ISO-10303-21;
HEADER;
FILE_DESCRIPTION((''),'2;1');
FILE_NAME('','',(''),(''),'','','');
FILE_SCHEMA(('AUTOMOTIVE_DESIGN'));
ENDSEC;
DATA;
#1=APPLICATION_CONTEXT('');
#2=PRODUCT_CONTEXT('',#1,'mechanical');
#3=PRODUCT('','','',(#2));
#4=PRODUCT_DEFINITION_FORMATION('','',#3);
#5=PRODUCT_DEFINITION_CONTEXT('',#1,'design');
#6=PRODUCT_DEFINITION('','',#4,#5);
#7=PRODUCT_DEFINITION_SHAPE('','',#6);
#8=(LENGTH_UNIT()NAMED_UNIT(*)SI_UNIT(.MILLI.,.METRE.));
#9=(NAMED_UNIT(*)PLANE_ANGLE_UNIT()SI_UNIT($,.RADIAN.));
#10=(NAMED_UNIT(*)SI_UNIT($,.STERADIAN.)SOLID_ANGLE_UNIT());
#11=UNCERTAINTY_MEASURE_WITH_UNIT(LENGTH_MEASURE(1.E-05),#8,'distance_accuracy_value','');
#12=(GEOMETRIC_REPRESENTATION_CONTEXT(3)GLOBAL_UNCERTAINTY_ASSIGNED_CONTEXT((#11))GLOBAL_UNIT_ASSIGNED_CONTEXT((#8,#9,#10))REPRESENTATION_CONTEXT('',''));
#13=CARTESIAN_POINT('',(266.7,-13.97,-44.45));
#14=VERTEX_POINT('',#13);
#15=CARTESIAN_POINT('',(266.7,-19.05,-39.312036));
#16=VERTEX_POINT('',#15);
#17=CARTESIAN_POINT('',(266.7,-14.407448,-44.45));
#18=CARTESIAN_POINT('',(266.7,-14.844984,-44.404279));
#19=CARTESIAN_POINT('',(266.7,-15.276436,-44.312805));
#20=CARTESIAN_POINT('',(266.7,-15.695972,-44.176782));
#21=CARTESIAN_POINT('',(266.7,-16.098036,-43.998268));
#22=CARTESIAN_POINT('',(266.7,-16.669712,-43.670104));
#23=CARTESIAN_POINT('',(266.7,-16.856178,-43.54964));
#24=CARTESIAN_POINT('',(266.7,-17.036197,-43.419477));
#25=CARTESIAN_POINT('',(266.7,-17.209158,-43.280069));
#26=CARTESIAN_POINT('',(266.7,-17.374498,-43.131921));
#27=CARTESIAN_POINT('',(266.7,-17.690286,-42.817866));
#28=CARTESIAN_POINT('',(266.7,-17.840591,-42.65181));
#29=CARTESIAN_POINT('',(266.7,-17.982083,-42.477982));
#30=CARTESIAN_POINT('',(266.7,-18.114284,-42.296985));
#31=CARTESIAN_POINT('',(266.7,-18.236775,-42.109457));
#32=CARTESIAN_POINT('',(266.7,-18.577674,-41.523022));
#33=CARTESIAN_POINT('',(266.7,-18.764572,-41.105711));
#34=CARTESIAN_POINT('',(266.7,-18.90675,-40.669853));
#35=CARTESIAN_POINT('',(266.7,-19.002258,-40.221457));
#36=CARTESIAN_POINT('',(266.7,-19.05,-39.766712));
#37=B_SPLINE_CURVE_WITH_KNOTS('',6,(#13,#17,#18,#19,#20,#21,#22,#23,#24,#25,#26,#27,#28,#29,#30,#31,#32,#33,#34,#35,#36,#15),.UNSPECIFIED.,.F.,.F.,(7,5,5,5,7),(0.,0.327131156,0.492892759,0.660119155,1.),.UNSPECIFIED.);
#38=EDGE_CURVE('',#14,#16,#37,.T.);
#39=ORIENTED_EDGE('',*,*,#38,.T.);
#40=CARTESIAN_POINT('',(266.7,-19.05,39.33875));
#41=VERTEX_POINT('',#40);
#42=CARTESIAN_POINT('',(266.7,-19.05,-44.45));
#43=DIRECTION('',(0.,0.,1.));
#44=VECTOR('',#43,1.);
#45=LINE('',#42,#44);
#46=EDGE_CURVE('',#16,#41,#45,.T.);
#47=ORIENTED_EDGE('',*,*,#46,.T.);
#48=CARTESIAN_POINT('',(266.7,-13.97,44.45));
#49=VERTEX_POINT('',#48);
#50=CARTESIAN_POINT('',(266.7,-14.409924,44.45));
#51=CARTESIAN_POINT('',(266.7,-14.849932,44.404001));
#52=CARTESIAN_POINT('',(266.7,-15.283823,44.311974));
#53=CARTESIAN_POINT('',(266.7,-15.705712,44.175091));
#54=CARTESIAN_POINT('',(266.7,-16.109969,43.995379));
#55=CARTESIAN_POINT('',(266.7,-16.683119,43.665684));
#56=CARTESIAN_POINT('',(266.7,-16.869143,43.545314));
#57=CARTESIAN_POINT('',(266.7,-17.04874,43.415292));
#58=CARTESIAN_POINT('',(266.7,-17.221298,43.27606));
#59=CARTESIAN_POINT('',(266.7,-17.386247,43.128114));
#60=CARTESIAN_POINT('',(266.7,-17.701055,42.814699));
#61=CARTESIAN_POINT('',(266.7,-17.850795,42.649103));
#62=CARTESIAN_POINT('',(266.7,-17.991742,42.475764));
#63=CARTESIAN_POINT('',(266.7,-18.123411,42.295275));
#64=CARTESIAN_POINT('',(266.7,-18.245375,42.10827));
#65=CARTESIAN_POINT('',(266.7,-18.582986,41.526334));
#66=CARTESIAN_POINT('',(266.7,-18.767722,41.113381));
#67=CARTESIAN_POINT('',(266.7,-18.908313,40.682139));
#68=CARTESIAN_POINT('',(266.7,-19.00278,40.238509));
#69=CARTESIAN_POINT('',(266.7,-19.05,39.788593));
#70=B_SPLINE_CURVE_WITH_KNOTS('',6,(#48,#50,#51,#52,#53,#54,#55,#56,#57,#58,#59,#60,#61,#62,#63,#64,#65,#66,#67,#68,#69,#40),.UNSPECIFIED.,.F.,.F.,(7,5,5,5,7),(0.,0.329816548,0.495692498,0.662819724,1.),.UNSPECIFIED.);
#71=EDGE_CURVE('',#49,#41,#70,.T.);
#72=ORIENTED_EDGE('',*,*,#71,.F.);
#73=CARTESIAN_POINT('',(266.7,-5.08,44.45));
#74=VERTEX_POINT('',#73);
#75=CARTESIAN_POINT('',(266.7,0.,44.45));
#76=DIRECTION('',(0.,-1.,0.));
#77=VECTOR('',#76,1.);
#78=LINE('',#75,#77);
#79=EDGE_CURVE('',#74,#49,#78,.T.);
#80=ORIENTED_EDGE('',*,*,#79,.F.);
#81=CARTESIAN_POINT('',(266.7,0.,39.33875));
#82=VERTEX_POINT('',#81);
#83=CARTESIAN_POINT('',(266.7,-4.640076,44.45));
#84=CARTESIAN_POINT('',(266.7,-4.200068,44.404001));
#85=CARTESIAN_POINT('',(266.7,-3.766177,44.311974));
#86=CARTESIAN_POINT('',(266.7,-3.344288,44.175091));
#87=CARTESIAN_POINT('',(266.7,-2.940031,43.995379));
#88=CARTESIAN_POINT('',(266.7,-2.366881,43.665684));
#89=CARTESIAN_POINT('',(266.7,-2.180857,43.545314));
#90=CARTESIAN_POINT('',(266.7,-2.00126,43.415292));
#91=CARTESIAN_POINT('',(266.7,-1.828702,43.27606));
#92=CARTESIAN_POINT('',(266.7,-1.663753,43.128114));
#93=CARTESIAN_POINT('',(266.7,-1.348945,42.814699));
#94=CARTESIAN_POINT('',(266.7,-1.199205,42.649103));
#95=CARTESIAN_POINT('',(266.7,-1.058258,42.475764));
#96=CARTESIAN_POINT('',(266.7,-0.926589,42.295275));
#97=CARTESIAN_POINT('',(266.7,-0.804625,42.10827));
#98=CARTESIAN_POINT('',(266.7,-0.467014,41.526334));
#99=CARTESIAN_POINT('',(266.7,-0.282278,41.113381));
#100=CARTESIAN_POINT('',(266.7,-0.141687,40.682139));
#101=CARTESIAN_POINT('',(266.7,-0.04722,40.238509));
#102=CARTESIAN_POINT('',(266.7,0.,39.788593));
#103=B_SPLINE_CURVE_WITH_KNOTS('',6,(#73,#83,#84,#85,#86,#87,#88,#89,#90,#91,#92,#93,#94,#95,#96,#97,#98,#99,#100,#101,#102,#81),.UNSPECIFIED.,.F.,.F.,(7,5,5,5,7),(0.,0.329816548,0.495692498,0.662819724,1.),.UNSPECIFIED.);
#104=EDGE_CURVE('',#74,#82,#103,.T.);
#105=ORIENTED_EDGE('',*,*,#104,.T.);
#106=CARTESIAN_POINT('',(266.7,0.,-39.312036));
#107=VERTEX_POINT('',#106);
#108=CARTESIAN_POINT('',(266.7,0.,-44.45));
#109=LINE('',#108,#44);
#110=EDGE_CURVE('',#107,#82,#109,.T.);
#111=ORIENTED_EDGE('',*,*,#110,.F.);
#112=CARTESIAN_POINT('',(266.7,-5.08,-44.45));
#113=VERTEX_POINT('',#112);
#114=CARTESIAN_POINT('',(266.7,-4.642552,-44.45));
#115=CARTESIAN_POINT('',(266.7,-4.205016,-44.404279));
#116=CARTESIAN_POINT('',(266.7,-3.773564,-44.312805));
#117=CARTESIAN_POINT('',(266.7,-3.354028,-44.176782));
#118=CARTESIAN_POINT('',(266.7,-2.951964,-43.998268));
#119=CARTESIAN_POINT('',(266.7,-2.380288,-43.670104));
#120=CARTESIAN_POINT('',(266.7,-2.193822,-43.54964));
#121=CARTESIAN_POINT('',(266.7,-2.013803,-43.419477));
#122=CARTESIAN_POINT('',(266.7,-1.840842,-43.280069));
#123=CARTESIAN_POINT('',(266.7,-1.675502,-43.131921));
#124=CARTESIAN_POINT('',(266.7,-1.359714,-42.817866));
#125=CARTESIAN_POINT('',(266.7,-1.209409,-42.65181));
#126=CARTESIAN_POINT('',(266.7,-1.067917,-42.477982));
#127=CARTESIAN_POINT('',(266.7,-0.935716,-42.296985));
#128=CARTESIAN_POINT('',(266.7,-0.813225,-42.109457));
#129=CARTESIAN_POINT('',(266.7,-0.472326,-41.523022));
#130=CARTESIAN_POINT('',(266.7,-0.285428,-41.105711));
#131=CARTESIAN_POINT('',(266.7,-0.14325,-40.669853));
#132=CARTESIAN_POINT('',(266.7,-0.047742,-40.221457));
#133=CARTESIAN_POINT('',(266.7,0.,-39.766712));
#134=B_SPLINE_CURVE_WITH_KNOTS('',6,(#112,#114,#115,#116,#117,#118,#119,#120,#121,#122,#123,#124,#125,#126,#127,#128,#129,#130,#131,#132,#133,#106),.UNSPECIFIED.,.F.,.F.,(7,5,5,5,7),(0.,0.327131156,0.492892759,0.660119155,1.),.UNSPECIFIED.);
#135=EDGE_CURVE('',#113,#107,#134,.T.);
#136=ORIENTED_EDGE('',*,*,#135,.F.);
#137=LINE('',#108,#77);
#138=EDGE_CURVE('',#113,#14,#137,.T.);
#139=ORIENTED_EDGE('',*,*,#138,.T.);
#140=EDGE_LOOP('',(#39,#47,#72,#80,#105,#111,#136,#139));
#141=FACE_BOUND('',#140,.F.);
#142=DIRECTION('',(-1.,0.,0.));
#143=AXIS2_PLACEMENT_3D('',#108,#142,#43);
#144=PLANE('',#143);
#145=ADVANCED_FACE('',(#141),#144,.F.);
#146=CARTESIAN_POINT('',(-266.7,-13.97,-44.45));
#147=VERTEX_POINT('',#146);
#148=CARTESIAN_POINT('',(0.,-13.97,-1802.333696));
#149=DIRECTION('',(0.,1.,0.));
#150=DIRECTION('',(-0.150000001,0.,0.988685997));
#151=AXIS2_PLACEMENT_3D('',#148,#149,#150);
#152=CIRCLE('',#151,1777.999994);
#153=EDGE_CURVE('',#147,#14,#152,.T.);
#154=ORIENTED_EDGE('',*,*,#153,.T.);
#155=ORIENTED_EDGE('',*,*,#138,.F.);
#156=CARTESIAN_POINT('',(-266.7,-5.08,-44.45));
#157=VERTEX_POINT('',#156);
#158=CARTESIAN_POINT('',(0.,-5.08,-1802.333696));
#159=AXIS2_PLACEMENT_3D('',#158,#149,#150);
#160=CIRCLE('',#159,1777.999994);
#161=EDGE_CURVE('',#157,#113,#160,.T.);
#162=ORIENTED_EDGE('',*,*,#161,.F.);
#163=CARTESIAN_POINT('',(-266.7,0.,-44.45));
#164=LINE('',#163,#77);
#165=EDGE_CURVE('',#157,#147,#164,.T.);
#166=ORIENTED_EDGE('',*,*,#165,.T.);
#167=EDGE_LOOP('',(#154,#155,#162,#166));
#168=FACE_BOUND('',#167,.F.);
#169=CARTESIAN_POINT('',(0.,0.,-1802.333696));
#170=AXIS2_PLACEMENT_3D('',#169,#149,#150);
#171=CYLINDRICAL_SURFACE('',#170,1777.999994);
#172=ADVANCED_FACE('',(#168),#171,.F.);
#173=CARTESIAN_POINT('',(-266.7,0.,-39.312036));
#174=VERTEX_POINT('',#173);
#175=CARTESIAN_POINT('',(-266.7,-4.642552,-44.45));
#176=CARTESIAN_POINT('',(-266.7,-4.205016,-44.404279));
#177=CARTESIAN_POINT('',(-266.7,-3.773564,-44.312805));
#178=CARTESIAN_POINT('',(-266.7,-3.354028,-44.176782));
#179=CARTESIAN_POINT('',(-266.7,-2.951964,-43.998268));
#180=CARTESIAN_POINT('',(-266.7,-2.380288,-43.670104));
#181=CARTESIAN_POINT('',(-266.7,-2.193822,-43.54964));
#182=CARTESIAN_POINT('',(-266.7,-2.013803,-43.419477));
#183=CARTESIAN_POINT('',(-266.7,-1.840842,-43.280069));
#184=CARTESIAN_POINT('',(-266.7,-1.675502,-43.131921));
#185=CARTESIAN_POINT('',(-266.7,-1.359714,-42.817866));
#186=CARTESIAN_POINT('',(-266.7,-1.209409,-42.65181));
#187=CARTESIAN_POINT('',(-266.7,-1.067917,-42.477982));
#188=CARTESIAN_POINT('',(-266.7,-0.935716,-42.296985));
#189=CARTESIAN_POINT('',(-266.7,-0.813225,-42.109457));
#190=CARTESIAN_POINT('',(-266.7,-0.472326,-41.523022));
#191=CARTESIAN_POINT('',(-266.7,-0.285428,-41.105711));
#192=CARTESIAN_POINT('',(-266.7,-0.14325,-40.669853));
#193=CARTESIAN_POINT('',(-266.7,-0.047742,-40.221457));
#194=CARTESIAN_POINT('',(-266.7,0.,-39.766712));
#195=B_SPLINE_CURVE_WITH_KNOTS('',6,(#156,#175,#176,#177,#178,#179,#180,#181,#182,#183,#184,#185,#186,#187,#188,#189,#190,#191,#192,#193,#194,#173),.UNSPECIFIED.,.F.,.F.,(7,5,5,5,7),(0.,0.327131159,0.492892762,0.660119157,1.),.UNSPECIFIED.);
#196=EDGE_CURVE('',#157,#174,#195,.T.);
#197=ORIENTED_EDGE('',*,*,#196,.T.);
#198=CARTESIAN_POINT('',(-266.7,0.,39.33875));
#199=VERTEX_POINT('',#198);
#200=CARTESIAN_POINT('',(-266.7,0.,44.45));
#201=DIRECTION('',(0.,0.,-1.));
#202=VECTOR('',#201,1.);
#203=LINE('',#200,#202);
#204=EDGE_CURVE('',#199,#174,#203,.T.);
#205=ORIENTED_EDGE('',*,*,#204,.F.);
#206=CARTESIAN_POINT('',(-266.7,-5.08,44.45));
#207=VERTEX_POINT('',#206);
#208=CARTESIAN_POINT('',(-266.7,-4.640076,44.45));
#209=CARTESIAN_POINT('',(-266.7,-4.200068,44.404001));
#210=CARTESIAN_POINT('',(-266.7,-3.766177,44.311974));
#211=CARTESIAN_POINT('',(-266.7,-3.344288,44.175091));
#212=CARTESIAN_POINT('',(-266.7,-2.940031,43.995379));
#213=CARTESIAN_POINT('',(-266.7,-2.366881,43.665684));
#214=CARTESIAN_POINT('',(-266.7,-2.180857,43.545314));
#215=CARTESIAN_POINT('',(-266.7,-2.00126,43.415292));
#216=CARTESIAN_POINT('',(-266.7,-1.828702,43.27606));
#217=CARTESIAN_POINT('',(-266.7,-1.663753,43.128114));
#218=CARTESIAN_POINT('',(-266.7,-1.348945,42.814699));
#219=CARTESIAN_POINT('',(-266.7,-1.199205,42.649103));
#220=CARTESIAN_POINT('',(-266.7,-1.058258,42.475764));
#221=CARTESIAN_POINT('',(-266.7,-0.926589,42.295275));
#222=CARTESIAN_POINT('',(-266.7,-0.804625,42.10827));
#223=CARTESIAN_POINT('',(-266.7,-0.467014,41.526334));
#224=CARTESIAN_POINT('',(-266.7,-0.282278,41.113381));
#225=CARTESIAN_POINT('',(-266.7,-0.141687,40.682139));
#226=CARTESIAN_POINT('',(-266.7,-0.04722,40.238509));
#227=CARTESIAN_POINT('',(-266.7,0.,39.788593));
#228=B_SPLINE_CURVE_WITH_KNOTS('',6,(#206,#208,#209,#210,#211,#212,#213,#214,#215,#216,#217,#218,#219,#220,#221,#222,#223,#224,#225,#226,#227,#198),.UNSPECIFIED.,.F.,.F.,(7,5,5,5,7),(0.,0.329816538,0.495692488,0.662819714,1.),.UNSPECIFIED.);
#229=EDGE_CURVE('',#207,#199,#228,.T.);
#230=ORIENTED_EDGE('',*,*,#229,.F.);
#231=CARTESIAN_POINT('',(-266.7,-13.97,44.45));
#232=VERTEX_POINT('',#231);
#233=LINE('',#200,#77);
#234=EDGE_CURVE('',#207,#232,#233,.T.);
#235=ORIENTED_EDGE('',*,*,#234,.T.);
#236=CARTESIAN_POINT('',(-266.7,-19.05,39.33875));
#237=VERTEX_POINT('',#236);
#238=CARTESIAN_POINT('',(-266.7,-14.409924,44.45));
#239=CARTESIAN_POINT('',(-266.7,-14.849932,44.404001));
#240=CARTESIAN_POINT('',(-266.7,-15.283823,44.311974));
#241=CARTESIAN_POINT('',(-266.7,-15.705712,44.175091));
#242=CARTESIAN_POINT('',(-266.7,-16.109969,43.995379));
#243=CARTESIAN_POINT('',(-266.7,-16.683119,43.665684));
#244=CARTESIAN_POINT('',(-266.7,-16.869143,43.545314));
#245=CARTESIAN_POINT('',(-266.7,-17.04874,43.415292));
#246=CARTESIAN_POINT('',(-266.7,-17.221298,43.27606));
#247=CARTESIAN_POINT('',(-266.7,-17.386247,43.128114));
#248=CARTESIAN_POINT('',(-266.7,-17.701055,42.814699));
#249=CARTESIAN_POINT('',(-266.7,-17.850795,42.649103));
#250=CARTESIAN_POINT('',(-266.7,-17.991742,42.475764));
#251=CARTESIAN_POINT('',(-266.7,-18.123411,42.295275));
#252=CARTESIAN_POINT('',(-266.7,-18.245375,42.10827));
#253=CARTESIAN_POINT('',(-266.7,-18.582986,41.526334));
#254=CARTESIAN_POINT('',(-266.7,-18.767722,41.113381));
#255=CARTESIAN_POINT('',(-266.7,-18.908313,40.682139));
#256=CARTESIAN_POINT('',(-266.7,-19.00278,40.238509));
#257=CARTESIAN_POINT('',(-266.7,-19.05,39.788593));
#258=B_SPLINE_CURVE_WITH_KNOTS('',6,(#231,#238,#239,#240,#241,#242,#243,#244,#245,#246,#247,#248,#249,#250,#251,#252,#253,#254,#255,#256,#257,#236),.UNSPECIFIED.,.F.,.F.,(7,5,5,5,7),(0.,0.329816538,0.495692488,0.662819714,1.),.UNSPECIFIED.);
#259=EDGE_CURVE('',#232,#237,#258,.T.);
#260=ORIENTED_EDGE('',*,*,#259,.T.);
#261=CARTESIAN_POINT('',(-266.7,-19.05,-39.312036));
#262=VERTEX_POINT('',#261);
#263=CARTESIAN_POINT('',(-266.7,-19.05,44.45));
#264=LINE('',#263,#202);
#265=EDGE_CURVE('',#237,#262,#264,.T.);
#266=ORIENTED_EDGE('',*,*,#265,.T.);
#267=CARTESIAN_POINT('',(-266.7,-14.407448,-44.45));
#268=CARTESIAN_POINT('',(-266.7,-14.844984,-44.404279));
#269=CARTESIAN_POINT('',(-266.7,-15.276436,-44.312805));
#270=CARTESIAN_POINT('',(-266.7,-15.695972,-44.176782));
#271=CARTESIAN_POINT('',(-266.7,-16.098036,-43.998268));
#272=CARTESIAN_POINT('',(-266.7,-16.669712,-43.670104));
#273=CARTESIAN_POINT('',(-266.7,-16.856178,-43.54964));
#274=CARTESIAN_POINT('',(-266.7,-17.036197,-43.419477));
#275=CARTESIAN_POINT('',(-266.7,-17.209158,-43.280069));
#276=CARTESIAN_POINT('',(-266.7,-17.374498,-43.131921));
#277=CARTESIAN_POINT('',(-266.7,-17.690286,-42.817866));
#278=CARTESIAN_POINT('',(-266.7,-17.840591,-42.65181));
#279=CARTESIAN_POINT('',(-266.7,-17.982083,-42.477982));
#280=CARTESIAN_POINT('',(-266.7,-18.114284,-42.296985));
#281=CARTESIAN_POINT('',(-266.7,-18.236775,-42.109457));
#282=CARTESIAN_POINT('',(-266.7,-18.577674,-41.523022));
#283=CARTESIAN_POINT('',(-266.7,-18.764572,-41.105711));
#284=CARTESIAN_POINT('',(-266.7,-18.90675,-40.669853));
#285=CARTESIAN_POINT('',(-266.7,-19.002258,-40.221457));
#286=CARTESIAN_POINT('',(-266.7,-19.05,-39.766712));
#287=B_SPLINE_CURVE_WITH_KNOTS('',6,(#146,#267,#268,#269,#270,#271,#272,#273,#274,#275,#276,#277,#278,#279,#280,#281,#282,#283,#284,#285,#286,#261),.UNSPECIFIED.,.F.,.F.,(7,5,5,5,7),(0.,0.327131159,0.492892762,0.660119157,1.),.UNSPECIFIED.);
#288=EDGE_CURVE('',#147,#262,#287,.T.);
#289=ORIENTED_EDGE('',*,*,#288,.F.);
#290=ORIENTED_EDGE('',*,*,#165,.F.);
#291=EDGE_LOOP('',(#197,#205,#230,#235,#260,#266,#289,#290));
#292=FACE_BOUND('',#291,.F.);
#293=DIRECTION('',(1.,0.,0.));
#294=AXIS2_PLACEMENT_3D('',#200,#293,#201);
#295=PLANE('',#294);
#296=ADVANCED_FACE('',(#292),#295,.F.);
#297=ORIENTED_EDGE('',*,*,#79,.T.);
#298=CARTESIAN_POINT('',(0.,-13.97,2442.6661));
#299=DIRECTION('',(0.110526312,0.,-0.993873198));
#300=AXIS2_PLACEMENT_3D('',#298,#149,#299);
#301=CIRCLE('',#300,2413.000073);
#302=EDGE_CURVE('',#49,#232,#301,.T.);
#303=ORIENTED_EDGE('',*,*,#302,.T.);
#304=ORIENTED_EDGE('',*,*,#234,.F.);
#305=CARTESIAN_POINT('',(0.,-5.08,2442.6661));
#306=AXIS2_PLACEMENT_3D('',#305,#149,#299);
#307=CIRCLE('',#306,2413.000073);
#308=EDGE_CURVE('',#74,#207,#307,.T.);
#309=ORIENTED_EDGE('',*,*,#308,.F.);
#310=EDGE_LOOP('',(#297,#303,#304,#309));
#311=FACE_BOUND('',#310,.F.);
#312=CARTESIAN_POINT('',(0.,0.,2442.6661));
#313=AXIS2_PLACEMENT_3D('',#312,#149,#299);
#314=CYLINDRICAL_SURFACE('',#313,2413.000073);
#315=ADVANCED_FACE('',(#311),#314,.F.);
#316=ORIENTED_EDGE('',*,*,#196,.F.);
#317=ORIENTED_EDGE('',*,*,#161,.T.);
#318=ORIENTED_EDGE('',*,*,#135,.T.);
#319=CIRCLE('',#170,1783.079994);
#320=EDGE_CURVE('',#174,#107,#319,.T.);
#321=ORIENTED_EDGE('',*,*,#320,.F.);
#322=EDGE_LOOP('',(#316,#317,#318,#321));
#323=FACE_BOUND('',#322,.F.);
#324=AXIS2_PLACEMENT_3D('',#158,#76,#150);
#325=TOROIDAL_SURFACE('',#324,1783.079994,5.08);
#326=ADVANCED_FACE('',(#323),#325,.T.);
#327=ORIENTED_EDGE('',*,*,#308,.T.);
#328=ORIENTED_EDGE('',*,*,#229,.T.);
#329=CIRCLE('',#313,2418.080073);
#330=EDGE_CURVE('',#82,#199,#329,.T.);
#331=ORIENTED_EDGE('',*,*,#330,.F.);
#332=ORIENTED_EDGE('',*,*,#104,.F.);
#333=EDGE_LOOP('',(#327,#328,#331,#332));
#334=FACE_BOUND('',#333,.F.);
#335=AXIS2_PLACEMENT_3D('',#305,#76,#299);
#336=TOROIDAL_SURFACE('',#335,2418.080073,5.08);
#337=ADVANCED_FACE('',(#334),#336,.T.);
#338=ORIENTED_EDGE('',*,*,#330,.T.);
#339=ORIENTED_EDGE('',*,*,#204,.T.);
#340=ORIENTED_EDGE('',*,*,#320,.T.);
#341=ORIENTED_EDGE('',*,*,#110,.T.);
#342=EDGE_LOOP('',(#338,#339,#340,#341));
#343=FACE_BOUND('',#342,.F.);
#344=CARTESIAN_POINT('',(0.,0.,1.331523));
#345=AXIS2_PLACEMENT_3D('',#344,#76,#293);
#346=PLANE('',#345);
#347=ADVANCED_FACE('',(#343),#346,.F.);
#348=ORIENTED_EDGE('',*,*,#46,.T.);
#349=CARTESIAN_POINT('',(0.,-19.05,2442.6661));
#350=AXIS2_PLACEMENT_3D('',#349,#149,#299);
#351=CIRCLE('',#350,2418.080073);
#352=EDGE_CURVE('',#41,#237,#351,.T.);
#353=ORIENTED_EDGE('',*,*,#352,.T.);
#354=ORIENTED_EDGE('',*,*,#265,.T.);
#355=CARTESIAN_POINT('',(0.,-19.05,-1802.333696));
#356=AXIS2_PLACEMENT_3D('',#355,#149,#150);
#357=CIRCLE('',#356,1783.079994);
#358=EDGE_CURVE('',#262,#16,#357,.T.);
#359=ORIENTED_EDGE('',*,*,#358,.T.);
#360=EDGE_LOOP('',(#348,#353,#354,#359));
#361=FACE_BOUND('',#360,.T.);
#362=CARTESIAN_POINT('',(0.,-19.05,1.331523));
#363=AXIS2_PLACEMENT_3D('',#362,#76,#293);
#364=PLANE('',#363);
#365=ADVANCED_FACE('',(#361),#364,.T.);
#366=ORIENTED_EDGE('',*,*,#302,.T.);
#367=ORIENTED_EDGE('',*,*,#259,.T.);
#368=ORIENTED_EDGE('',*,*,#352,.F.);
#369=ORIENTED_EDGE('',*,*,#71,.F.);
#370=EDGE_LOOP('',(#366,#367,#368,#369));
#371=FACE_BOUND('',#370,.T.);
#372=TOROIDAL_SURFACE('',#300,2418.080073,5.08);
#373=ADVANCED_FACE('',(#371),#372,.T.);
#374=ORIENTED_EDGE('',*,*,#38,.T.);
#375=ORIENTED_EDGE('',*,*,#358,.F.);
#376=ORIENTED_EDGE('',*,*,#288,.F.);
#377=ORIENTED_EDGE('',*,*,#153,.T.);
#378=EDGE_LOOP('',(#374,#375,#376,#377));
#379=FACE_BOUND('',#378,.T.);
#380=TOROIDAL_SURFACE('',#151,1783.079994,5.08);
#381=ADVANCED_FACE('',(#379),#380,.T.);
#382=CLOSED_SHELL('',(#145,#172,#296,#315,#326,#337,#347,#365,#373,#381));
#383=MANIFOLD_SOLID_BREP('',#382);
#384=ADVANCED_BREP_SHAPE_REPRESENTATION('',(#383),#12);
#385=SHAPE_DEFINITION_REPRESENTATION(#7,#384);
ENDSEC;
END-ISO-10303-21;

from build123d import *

# Parameters (mm, degrees)
F1_DEPTH = 19.05
F2_R     = 5.08


with BuildPart() as f1:
    # F0 (on Front) → F1 (new body)
    with BuildSketch(Plane.XZ):
        with BuildLine():
            ThreePointArc((266.7, 44.45), (0, 29.666027), (-266.7, 44.45))
            Line((-266.7, 44.45), (-266.7, -44.45))
            ThreePointArc((-266.7, -44.45), (0, -24.333702), (266.7, -44.45))
            Line((266.7, -44.45), (266.7, 44.45))
        make_face()
    extrude(amount=F1_DEPTH)

    # F2
    f2_edges = [f1.edges().sort_by_distance(p)[0] for p in [
        (0, -19.05, 29.666027),
        (0, -19.05, -24.333702),
        (0, 0, 29.666027),
        (0, 0, -24.333702),
    ]]
    fillet(f2_edges, radius=F2_R)


solid = f1.part
